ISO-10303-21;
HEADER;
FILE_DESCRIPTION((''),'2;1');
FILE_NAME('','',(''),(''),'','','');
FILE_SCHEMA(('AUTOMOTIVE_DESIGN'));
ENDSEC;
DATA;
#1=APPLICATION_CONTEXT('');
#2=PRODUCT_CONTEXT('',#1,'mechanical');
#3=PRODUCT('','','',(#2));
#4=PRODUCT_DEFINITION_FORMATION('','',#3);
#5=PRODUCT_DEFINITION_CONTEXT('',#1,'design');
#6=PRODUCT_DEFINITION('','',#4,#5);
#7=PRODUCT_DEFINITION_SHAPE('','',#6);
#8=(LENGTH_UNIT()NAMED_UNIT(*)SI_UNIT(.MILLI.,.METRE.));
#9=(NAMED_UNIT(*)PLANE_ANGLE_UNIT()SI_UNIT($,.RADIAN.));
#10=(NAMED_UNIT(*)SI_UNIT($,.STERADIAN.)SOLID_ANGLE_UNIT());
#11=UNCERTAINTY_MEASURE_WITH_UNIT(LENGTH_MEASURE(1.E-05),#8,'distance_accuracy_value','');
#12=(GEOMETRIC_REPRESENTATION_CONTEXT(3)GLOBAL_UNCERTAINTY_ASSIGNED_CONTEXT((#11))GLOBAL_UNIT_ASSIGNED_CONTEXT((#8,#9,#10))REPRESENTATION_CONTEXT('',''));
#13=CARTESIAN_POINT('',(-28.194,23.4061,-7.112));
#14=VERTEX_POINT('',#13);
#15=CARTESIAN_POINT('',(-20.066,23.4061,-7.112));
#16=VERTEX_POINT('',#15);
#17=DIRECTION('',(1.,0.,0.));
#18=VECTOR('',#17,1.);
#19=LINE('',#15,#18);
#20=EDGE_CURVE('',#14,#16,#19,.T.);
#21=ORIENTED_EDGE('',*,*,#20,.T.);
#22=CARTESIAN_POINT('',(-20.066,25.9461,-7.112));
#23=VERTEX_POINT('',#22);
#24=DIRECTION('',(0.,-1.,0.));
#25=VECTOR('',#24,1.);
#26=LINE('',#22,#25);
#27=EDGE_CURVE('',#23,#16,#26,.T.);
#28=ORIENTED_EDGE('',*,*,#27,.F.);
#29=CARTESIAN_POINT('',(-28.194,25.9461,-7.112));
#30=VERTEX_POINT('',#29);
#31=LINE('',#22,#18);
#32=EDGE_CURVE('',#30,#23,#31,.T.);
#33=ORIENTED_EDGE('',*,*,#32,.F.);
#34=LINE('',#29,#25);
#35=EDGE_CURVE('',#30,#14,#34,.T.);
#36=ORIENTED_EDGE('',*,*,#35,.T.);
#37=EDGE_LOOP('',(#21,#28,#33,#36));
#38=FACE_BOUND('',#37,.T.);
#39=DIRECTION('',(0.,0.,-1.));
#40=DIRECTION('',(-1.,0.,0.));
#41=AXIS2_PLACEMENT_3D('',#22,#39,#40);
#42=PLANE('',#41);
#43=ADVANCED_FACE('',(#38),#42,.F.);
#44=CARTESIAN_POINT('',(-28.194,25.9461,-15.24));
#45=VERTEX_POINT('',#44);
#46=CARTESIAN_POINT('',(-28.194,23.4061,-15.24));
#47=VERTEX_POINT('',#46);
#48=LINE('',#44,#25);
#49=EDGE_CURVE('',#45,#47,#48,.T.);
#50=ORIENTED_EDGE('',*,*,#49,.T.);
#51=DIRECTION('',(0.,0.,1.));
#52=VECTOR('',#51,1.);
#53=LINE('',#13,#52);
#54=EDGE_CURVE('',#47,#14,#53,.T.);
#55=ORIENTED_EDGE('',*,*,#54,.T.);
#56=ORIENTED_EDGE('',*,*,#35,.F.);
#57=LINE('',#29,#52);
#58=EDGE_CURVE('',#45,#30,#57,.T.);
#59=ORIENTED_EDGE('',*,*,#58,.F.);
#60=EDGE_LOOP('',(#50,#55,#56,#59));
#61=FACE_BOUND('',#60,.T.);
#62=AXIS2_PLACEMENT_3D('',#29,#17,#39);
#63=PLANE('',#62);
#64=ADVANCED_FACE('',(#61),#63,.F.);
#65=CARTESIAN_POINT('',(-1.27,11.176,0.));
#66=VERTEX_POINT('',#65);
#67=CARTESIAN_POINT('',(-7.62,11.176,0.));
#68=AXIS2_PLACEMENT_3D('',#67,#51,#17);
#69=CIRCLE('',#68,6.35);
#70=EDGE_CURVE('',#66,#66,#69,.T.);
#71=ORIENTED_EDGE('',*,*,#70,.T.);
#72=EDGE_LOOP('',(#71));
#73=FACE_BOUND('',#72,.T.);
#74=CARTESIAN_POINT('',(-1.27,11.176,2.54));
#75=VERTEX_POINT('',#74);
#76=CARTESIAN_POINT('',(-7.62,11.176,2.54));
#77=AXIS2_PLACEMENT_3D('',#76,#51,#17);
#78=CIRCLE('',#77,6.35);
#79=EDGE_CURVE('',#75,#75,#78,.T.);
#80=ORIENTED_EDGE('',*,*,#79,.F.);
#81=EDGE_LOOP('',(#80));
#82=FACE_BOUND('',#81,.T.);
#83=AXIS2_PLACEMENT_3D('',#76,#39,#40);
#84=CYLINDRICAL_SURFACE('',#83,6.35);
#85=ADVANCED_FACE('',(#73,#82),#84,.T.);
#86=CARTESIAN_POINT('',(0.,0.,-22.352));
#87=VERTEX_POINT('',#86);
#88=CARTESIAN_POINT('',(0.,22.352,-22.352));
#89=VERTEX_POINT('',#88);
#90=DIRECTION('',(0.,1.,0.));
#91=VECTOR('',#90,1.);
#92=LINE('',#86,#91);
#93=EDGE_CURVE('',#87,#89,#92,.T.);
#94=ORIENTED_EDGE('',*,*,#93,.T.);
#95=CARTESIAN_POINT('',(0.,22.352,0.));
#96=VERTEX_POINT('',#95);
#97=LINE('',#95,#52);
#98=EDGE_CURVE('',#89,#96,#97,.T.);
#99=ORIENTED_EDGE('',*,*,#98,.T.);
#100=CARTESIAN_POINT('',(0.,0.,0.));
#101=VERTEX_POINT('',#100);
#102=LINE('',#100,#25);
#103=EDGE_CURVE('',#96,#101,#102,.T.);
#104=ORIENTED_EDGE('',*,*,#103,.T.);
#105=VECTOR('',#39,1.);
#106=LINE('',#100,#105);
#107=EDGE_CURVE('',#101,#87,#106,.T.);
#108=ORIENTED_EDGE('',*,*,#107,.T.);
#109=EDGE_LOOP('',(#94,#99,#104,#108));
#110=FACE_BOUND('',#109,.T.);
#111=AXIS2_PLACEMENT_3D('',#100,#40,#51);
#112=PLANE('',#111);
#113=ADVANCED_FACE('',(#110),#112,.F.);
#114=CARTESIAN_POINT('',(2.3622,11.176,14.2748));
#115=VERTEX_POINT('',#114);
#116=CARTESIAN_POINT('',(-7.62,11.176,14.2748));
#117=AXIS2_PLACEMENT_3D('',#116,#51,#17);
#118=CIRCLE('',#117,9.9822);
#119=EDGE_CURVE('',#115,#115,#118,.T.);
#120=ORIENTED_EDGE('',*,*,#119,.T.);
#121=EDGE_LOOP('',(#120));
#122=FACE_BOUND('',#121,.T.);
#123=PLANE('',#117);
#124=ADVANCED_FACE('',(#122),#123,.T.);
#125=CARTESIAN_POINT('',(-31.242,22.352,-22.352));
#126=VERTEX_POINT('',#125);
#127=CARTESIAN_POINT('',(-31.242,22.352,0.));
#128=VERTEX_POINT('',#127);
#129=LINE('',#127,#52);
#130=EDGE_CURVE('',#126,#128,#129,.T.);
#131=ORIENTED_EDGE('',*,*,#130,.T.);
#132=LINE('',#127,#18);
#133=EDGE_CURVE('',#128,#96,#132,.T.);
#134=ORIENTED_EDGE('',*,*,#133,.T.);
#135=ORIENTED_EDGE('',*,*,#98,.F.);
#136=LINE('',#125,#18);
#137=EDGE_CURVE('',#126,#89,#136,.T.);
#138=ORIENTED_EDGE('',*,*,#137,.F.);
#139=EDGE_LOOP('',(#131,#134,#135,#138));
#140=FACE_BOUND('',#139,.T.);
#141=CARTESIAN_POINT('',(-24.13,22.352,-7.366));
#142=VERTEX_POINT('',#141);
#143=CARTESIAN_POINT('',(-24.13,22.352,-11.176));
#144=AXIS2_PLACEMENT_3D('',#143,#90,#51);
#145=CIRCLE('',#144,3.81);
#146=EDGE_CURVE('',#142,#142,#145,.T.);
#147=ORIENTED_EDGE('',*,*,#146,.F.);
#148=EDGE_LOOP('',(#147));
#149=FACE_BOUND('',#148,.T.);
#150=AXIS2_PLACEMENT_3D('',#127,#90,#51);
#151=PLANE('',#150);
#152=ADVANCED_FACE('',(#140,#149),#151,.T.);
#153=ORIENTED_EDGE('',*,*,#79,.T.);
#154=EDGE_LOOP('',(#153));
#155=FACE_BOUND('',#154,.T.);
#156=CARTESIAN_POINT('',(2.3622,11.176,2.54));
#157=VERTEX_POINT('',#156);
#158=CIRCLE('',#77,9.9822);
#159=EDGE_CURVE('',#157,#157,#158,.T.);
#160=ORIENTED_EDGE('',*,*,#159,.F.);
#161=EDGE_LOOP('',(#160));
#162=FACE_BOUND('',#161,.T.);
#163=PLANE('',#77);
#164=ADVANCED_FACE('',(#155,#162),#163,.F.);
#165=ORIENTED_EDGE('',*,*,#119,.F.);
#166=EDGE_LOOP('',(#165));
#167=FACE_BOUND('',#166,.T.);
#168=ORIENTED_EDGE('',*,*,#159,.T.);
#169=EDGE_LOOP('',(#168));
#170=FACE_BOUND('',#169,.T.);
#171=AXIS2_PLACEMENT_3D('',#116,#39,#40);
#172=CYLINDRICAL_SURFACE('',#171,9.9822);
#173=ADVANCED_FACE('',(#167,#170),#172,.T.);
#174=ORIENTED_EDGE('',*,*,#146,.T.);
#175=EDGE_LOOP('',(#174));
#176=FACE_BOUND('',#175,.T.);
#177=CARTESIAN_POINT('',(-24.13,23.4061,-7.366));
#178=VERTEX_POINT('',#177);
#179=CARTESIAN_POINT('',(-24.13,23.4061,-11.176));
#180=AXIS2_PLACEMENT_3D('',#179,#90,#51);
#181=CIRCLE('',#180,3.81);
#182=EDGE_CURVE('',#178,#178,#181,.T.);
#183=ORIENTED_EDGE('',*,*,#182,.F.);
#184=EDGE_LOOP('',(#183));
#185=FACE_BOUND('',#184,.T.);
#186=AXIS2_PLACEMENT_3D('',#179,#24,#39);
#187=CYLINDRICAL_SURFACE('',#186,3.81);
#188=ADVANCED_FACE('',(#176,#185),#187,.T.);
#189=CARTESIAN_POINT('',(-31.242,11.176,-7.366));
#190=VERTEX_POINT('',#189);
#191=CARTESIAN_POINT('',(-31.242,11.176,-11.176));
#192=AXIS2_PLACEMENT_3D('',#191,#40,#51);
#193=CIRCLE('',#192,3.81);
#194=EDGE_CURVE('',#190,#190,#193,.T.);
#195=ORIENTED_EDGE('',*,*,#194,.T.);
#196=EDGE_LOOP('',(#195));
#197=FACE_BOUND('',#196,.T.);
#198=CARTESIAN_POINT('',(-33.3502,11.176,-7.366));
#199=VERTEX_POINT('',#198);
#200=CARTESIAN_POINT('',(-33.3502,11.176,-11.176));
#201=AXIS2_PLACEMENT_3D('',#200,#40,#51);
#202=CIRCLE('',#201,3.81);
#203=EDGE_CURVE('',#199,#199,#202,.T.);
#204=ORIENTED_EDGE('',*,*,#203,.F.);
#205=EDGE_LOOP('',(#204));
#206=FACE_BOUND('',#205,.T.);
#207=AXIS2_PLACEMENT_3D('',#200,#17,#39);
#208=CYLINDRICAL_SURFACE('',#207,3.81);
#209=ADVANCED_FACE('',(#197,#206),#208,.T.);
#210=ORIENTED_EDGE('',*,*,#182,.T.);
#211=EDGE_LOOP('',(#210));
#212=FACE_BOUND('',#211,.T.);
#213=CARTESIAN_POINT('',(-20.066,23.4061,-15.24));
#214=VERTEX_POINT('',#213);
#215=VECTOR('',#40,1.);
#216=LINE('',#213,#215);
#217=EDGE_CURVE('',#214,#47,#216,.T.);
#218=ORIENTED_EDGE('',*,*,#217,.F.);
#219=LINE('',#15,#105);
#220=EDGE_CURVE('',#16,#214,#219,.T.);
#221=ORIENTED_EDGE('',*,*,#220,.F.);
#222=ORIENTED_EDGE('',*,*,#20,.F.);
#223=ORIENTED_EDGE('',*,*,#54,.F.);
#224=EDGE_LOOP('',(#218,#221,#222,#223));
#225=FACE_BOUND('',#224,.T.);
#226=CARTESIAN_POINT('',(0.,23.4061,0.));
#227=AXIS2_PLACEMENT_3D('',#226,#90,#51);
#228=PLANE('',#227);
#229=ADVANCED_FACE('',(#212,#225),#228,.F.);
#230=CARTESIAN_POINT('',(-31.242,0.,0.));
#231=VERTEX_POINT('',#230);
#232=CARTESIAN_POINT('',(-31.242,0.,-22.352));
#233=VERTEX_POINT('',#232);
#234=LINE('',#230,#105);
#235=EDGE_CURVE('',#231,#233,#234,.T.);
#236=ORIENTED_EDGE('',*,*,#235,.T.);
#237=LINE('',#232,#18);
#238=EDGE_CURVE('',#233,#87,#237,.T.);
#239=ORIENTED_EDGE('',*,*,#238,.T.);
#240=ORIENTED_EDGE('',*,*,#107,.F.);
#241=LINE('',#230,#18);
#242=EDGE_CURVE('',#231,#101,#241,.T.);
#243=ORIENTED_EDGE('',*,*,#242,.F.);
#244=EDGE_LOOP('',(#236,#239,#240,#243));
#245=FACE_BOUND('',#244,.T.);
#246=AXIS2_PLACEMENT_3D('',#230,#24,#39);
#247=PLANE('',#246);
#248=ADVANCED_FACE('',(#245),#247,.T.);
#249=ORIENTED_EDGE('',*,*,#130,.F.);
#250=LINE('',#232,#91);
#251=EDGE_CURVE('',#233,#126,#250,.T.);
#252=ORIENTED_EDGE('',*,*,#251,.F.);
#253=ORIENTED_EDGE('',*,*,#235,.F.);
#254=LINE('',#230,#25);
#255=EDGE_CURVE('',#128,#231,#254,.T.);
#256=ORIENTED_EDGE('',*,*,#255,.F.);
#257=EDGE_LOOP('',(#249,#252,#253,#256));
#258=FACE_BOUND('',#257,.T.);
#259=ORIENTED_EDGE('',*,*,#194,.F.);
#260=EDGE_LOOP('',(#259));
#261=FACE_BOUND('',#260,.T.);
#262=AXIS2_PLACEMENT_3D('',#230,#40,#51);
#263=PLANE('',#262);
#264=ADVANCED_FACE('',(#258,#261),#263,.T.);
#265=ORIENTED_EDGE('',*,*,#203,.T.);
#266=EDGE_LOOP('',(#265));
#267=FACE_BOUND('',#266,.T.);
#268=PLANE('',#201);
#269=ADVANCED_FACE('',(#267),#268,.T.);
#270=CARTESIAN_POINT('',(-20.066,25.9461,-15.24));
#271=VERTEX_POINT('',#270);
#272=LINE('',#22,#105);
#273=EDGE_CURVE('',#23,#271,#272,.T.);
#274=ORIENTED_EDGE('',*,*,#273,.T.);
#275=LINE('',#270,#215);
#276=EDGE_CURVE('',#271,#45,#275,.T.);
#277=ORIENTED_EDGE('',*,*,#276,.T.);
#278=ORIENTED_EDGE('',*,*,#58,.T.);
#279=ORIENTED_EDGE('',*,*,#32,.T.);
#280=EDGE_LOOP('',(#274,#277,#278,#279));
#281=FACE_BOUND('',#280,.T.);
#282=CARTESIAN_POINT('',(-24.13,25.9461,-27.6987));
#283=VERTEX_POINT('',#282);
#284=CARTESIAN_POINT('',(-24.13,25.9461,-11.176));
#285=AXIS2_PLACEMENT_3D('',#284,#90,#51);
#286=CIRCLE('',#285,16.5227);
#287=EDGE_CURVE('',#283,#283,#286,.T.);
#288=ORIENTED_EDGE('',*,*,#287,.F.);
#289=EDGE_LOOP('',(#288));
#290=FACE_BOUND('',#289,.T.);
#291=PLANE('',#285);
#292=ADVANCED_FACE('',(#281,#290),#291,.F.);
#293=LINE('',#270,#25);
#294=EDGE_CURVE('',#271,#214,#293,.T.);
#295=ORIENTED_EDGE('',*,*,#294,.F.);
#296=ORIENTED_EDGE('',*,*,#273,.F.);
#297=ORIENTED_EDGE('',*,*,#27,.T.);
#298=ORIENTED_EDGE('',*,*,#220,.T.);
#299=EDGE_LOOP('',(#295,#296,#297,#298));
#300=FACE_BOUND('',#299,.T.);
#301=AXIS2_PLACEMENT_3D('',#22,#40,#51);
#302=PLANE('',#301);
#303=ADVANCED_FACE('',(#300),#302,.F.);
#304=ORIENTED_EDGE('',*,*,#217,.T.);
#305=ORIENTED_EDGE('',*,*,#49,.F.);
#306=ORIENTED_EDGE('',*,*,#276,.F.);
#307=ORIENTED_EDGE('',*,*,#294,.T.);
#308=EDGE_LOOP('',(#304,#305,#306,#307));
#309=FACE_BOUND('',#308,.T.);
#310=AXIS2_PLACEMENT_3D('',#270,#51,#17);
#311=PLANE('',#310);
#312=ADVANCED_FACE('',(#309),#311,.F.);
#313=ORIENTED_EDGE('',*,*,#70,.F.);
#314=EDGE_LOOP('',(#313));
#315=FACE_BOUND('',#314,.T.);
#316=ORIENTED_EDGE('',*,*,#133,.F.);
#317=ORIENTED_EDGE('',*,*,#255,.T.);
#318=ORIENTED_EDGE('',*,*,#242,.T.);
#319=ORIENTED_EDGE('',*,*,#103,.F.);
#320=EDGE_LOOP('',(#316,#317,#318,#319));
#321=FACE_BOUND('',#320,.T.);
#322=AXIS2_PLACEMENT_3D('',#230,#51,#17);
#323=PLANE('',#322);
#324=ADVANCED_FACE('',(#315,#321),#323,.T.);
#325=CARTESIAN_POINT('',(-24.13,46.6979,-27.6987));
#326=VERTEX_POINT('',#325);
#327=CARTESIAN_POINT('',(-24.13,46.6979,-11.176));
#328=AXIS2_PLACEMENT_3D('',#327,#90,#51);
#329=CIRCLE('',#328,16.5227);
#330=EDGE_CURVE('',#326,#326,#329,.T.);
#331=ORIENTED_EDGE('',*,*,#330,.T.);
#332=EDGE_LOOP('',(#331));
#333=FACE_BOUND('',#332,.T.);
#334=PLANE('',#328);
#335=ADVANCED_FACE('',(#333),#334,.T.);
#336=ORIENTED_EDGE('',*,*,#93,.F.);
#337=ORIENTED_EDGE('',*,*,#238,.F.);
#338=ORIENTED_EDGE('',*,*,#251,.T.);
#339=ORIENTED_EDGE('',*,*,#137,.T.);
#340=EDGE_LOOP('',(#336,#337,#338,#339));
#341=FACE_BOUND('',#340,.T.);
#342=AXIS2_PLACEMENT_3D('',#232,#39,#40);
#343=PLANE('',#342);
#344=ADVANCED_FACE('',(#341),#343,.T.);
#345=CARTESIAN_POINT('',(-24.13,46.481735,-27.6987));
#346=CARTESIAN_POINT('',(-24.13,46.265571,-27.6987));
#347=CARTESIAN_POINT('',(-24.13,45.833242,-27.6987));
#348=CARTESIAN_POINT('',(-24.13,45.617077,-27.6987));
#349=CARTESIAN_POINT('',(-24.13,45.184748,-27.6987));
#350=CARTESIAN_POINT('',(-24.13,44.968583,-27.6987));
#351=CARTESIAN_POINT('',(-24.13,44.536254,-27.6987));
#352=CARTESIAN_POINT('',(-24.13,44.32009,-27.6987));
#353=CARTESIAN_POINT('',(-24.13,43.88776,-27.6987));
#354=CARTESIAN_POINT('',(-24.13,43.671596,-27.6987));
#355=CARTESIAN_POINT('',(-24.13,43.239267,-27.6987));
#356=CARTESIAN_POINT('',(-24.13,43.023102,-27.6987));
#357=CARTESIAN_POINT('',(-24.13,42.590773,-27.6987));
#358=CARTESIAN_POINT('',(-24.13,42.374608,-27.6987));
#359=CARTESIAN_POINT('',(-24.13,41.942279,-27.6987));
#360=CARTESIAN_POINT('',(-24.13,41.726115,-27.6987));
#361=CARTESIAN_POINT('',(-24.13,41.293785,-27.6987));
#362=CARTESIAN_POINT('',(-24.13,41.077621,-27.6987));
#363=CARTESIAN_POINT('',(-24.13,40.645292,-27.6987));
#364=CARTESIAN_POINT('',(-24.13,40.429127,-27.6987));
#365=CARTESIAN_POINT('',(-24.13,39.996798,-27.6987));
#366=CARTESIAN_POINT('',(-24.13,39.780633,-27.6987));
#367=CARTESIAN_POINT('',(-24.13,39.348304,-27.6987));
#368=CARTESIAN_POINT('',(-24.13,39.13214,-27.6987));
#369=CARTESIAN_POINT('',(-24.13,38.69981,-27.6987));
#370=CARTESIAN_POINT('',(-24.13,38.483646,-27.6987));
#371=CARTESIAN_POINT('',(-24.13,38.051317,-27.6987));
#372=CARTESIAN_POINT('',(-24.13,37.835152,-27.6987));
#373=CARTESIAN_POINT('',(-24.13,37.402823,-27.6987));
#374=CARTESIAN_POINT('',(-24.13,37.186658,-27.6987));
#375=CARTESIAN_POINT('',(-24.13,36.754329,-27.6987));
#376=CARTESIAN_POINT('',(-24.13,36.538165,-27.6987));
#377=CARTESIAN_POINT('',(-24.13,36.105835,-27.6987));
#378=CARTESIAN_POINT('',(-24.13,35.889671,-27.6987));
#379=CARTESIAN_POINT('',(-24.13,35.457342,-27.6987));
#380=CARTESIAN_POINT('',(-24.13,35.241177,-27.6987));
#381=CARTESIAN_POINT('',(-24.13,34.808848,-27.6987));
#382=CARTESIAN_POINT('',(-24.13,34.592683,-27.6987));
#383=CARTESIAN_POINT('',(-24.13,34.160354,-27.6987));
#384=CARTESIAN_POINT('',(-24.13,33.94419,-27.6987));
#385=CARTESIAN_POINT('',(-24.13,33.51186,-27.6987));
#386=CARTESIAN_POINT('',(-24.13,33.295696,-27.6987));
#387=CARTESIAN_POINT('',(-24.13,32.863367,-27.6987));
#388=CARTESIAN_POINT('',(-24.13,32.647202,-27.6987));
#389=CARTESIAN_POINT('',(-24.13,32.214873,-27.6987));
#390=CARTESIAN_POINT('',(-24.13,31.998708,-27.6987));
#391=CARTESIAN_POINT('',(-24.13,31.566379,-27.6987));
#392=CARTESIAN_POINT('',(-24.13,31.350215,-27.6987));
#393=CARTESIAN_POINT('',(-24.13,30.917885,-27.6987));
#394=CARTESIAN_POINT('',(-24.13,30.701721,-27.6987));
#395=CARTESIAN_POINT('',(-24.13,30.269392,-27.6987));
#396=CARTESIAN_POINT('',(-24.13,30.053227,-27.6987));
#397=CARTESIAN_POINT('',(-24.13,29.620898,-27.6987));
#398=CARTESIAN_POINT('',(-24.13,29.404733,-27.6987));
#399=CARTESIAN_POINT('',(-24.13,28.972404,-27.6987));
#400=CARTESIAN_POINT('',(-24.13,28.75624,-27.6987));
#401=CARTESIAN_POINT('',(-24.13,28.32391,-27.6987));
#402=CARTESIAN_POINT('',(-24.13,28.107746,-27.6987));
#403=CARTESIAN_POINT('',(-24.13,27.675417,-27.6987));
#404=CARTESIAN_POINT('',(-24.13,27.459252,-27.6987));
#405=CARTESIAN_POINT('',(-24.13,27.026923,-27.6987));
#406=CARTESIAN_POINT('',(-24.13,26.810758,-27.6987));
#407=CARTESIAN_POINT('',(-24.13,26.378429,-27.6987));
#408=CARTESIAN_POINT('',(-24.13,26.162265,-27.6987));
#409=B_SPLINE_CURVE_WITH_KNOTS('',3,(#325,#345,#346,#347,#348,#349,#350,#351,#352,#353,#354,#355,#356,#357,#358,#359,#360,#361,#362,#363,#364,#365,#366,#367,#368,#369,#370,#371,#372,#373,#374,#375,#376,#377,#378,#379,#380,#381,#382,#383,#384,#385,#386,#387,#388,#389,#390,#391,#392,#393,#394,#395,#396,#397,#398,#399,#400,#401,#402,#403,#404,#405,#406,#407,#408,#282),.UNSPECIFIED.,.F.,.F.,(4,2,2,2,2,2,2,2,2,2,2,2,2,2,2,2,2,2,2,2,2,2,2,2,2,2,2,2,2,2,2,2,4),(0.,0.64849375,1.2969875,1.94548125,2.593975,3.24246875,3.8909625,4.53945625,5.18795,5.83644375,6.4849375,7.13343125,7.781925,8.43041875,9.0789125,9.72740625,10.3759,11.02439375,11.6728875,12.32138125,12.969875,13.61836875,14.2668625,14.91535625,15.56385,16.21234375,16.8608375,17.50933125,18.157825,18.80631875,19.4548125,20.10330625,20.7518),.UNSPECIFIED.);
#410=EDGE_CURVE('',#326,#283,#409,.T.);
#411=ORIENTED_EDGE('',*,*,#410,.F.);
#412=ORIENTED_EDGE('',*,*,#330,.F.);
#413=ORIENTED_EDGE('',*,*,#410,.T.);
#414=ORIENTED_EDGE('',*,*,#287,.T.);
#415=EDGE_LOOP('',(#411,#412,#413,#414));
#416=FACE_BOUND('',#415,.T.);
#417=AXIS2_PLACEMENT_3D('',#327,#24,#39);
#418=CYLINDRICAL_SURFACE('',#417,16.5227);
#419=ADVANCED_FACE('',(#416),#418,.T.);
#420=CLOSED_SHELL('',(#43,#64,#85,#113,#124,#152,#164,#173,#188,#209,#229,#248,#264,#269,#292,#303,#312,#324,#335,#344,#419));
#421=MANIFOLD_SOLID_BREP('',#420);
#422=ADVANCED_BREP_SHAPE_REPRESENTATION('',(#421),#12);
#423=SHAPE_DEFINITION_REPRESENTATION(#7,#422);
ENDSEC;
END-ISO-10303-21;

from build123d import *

# Parameters (mm, degrees)
SKETCH1_W           = 22.352
SKETCH1_H           = 22.352
BOSS_EXTRUDE1_DEPTH = 31.242
SKETCH2_R           = 3.81
BOSS_EXTRUDE2_DEPTH = 1.0541
SKETCH3_W           = 8.128
SKETCH3_H           = 8.128
BOSS_EXTRUDE3_DEPTH = 2.54
SKETCH4_R           = 16.5227
BOSS_EXTRUDE4_DEPTH = 20.7518
SKETCH5_R           = 3.81
BOSS_EXTRUDE5_DEPTH = 2.1082
SKETCH6_R           = 6.35
BOSS_EXTRUDE7_DEPTH = 2.54
SKETCH7_R           = 9.9822
BOSS_EXTRUDE8_DEPTH = 11.7348


with BuildPart() as part:
    # Sketch1 → Boss-Extrude1 (new body)
    with BuildSketch(Plane(origin=(0, 0, 0), x_dir=(0, 0, -1), z_dir=(1, 0, 0))):
        with Locations((11.176, 11.176)):
            Rectangle(SKETCH1_W, SKETCH1_H)
    extrude(amount=-BOSS_EXTRUDE1_DEPTH)

    # Sketch2 → Boss-Extrude2 (add)
    with BuildSketch(Plane(origin=(0, 22.352, 0), x_dir=(1, 0, 0), z_dir=(0, 1, 0))):
        with Locations(Location((-24.13, 11.176, 0), (0, 0, 270))):
            Circle(SKETCH2_R)
    extrude(amount=BOSS_EXTRUDE2_DEPTH)

    # Sketch3 → Boss-Extrude3 (add)
    with BuildSketch(Plane(origin=(0, 23.4061, 0), x_dir=(1, 0, 0), z_dir=(0, 1, 0))):
        with Locations((-24.13, 11.176)):
            Rectangle(SKETCH3_W, SKETCH3_H)
    extrude(amount=BOSS_EXTRUDE3_DEPTH)

    # Sketch4 → Boss-Extrude4 (add)
    with BuildSketch(Plane(origin=(0, 25.9461, 0), x_dir=(1, 0, 0), z_dir=(0, 1, 0))):
        with Locations(Location((-24.13, 11.176, 0), (0, 0, 90))):
            Circle(SKETCH4_R)
    extrude(amount=BOSS_EXTRUDE4_DEPTH)

    # Sketch5 → Boss-Extrude5 (add)
    with BuildSketch(Plane.ZY.offset(31.242)):
        with Locations((-11.176, 11.176)):
            Circle(SKETCH5_R)
    extrude(amount=BOSS_EXTRUDE5_DEPTH)

    # Sketch6 → Boss-Extrude7 (add)
    with BuildSketch(Plane.XY):
        with Locations((-7.62, 11.176)):
            Circle(SKETCH6_R)
    extrude(amount=BOSS_EXTRUDE7_DEPTH)

    # Sketch7 → Boss-Extrude8 (add)
    with BuildSketch(Plane.XY.offset(2.54)):
        with Locations((-7.62, 11.176)):
            Circle(SKETCH7_R)
    extrude(amount=BOSS_EXTRUDE8_DEPTH)


solid = part.part
